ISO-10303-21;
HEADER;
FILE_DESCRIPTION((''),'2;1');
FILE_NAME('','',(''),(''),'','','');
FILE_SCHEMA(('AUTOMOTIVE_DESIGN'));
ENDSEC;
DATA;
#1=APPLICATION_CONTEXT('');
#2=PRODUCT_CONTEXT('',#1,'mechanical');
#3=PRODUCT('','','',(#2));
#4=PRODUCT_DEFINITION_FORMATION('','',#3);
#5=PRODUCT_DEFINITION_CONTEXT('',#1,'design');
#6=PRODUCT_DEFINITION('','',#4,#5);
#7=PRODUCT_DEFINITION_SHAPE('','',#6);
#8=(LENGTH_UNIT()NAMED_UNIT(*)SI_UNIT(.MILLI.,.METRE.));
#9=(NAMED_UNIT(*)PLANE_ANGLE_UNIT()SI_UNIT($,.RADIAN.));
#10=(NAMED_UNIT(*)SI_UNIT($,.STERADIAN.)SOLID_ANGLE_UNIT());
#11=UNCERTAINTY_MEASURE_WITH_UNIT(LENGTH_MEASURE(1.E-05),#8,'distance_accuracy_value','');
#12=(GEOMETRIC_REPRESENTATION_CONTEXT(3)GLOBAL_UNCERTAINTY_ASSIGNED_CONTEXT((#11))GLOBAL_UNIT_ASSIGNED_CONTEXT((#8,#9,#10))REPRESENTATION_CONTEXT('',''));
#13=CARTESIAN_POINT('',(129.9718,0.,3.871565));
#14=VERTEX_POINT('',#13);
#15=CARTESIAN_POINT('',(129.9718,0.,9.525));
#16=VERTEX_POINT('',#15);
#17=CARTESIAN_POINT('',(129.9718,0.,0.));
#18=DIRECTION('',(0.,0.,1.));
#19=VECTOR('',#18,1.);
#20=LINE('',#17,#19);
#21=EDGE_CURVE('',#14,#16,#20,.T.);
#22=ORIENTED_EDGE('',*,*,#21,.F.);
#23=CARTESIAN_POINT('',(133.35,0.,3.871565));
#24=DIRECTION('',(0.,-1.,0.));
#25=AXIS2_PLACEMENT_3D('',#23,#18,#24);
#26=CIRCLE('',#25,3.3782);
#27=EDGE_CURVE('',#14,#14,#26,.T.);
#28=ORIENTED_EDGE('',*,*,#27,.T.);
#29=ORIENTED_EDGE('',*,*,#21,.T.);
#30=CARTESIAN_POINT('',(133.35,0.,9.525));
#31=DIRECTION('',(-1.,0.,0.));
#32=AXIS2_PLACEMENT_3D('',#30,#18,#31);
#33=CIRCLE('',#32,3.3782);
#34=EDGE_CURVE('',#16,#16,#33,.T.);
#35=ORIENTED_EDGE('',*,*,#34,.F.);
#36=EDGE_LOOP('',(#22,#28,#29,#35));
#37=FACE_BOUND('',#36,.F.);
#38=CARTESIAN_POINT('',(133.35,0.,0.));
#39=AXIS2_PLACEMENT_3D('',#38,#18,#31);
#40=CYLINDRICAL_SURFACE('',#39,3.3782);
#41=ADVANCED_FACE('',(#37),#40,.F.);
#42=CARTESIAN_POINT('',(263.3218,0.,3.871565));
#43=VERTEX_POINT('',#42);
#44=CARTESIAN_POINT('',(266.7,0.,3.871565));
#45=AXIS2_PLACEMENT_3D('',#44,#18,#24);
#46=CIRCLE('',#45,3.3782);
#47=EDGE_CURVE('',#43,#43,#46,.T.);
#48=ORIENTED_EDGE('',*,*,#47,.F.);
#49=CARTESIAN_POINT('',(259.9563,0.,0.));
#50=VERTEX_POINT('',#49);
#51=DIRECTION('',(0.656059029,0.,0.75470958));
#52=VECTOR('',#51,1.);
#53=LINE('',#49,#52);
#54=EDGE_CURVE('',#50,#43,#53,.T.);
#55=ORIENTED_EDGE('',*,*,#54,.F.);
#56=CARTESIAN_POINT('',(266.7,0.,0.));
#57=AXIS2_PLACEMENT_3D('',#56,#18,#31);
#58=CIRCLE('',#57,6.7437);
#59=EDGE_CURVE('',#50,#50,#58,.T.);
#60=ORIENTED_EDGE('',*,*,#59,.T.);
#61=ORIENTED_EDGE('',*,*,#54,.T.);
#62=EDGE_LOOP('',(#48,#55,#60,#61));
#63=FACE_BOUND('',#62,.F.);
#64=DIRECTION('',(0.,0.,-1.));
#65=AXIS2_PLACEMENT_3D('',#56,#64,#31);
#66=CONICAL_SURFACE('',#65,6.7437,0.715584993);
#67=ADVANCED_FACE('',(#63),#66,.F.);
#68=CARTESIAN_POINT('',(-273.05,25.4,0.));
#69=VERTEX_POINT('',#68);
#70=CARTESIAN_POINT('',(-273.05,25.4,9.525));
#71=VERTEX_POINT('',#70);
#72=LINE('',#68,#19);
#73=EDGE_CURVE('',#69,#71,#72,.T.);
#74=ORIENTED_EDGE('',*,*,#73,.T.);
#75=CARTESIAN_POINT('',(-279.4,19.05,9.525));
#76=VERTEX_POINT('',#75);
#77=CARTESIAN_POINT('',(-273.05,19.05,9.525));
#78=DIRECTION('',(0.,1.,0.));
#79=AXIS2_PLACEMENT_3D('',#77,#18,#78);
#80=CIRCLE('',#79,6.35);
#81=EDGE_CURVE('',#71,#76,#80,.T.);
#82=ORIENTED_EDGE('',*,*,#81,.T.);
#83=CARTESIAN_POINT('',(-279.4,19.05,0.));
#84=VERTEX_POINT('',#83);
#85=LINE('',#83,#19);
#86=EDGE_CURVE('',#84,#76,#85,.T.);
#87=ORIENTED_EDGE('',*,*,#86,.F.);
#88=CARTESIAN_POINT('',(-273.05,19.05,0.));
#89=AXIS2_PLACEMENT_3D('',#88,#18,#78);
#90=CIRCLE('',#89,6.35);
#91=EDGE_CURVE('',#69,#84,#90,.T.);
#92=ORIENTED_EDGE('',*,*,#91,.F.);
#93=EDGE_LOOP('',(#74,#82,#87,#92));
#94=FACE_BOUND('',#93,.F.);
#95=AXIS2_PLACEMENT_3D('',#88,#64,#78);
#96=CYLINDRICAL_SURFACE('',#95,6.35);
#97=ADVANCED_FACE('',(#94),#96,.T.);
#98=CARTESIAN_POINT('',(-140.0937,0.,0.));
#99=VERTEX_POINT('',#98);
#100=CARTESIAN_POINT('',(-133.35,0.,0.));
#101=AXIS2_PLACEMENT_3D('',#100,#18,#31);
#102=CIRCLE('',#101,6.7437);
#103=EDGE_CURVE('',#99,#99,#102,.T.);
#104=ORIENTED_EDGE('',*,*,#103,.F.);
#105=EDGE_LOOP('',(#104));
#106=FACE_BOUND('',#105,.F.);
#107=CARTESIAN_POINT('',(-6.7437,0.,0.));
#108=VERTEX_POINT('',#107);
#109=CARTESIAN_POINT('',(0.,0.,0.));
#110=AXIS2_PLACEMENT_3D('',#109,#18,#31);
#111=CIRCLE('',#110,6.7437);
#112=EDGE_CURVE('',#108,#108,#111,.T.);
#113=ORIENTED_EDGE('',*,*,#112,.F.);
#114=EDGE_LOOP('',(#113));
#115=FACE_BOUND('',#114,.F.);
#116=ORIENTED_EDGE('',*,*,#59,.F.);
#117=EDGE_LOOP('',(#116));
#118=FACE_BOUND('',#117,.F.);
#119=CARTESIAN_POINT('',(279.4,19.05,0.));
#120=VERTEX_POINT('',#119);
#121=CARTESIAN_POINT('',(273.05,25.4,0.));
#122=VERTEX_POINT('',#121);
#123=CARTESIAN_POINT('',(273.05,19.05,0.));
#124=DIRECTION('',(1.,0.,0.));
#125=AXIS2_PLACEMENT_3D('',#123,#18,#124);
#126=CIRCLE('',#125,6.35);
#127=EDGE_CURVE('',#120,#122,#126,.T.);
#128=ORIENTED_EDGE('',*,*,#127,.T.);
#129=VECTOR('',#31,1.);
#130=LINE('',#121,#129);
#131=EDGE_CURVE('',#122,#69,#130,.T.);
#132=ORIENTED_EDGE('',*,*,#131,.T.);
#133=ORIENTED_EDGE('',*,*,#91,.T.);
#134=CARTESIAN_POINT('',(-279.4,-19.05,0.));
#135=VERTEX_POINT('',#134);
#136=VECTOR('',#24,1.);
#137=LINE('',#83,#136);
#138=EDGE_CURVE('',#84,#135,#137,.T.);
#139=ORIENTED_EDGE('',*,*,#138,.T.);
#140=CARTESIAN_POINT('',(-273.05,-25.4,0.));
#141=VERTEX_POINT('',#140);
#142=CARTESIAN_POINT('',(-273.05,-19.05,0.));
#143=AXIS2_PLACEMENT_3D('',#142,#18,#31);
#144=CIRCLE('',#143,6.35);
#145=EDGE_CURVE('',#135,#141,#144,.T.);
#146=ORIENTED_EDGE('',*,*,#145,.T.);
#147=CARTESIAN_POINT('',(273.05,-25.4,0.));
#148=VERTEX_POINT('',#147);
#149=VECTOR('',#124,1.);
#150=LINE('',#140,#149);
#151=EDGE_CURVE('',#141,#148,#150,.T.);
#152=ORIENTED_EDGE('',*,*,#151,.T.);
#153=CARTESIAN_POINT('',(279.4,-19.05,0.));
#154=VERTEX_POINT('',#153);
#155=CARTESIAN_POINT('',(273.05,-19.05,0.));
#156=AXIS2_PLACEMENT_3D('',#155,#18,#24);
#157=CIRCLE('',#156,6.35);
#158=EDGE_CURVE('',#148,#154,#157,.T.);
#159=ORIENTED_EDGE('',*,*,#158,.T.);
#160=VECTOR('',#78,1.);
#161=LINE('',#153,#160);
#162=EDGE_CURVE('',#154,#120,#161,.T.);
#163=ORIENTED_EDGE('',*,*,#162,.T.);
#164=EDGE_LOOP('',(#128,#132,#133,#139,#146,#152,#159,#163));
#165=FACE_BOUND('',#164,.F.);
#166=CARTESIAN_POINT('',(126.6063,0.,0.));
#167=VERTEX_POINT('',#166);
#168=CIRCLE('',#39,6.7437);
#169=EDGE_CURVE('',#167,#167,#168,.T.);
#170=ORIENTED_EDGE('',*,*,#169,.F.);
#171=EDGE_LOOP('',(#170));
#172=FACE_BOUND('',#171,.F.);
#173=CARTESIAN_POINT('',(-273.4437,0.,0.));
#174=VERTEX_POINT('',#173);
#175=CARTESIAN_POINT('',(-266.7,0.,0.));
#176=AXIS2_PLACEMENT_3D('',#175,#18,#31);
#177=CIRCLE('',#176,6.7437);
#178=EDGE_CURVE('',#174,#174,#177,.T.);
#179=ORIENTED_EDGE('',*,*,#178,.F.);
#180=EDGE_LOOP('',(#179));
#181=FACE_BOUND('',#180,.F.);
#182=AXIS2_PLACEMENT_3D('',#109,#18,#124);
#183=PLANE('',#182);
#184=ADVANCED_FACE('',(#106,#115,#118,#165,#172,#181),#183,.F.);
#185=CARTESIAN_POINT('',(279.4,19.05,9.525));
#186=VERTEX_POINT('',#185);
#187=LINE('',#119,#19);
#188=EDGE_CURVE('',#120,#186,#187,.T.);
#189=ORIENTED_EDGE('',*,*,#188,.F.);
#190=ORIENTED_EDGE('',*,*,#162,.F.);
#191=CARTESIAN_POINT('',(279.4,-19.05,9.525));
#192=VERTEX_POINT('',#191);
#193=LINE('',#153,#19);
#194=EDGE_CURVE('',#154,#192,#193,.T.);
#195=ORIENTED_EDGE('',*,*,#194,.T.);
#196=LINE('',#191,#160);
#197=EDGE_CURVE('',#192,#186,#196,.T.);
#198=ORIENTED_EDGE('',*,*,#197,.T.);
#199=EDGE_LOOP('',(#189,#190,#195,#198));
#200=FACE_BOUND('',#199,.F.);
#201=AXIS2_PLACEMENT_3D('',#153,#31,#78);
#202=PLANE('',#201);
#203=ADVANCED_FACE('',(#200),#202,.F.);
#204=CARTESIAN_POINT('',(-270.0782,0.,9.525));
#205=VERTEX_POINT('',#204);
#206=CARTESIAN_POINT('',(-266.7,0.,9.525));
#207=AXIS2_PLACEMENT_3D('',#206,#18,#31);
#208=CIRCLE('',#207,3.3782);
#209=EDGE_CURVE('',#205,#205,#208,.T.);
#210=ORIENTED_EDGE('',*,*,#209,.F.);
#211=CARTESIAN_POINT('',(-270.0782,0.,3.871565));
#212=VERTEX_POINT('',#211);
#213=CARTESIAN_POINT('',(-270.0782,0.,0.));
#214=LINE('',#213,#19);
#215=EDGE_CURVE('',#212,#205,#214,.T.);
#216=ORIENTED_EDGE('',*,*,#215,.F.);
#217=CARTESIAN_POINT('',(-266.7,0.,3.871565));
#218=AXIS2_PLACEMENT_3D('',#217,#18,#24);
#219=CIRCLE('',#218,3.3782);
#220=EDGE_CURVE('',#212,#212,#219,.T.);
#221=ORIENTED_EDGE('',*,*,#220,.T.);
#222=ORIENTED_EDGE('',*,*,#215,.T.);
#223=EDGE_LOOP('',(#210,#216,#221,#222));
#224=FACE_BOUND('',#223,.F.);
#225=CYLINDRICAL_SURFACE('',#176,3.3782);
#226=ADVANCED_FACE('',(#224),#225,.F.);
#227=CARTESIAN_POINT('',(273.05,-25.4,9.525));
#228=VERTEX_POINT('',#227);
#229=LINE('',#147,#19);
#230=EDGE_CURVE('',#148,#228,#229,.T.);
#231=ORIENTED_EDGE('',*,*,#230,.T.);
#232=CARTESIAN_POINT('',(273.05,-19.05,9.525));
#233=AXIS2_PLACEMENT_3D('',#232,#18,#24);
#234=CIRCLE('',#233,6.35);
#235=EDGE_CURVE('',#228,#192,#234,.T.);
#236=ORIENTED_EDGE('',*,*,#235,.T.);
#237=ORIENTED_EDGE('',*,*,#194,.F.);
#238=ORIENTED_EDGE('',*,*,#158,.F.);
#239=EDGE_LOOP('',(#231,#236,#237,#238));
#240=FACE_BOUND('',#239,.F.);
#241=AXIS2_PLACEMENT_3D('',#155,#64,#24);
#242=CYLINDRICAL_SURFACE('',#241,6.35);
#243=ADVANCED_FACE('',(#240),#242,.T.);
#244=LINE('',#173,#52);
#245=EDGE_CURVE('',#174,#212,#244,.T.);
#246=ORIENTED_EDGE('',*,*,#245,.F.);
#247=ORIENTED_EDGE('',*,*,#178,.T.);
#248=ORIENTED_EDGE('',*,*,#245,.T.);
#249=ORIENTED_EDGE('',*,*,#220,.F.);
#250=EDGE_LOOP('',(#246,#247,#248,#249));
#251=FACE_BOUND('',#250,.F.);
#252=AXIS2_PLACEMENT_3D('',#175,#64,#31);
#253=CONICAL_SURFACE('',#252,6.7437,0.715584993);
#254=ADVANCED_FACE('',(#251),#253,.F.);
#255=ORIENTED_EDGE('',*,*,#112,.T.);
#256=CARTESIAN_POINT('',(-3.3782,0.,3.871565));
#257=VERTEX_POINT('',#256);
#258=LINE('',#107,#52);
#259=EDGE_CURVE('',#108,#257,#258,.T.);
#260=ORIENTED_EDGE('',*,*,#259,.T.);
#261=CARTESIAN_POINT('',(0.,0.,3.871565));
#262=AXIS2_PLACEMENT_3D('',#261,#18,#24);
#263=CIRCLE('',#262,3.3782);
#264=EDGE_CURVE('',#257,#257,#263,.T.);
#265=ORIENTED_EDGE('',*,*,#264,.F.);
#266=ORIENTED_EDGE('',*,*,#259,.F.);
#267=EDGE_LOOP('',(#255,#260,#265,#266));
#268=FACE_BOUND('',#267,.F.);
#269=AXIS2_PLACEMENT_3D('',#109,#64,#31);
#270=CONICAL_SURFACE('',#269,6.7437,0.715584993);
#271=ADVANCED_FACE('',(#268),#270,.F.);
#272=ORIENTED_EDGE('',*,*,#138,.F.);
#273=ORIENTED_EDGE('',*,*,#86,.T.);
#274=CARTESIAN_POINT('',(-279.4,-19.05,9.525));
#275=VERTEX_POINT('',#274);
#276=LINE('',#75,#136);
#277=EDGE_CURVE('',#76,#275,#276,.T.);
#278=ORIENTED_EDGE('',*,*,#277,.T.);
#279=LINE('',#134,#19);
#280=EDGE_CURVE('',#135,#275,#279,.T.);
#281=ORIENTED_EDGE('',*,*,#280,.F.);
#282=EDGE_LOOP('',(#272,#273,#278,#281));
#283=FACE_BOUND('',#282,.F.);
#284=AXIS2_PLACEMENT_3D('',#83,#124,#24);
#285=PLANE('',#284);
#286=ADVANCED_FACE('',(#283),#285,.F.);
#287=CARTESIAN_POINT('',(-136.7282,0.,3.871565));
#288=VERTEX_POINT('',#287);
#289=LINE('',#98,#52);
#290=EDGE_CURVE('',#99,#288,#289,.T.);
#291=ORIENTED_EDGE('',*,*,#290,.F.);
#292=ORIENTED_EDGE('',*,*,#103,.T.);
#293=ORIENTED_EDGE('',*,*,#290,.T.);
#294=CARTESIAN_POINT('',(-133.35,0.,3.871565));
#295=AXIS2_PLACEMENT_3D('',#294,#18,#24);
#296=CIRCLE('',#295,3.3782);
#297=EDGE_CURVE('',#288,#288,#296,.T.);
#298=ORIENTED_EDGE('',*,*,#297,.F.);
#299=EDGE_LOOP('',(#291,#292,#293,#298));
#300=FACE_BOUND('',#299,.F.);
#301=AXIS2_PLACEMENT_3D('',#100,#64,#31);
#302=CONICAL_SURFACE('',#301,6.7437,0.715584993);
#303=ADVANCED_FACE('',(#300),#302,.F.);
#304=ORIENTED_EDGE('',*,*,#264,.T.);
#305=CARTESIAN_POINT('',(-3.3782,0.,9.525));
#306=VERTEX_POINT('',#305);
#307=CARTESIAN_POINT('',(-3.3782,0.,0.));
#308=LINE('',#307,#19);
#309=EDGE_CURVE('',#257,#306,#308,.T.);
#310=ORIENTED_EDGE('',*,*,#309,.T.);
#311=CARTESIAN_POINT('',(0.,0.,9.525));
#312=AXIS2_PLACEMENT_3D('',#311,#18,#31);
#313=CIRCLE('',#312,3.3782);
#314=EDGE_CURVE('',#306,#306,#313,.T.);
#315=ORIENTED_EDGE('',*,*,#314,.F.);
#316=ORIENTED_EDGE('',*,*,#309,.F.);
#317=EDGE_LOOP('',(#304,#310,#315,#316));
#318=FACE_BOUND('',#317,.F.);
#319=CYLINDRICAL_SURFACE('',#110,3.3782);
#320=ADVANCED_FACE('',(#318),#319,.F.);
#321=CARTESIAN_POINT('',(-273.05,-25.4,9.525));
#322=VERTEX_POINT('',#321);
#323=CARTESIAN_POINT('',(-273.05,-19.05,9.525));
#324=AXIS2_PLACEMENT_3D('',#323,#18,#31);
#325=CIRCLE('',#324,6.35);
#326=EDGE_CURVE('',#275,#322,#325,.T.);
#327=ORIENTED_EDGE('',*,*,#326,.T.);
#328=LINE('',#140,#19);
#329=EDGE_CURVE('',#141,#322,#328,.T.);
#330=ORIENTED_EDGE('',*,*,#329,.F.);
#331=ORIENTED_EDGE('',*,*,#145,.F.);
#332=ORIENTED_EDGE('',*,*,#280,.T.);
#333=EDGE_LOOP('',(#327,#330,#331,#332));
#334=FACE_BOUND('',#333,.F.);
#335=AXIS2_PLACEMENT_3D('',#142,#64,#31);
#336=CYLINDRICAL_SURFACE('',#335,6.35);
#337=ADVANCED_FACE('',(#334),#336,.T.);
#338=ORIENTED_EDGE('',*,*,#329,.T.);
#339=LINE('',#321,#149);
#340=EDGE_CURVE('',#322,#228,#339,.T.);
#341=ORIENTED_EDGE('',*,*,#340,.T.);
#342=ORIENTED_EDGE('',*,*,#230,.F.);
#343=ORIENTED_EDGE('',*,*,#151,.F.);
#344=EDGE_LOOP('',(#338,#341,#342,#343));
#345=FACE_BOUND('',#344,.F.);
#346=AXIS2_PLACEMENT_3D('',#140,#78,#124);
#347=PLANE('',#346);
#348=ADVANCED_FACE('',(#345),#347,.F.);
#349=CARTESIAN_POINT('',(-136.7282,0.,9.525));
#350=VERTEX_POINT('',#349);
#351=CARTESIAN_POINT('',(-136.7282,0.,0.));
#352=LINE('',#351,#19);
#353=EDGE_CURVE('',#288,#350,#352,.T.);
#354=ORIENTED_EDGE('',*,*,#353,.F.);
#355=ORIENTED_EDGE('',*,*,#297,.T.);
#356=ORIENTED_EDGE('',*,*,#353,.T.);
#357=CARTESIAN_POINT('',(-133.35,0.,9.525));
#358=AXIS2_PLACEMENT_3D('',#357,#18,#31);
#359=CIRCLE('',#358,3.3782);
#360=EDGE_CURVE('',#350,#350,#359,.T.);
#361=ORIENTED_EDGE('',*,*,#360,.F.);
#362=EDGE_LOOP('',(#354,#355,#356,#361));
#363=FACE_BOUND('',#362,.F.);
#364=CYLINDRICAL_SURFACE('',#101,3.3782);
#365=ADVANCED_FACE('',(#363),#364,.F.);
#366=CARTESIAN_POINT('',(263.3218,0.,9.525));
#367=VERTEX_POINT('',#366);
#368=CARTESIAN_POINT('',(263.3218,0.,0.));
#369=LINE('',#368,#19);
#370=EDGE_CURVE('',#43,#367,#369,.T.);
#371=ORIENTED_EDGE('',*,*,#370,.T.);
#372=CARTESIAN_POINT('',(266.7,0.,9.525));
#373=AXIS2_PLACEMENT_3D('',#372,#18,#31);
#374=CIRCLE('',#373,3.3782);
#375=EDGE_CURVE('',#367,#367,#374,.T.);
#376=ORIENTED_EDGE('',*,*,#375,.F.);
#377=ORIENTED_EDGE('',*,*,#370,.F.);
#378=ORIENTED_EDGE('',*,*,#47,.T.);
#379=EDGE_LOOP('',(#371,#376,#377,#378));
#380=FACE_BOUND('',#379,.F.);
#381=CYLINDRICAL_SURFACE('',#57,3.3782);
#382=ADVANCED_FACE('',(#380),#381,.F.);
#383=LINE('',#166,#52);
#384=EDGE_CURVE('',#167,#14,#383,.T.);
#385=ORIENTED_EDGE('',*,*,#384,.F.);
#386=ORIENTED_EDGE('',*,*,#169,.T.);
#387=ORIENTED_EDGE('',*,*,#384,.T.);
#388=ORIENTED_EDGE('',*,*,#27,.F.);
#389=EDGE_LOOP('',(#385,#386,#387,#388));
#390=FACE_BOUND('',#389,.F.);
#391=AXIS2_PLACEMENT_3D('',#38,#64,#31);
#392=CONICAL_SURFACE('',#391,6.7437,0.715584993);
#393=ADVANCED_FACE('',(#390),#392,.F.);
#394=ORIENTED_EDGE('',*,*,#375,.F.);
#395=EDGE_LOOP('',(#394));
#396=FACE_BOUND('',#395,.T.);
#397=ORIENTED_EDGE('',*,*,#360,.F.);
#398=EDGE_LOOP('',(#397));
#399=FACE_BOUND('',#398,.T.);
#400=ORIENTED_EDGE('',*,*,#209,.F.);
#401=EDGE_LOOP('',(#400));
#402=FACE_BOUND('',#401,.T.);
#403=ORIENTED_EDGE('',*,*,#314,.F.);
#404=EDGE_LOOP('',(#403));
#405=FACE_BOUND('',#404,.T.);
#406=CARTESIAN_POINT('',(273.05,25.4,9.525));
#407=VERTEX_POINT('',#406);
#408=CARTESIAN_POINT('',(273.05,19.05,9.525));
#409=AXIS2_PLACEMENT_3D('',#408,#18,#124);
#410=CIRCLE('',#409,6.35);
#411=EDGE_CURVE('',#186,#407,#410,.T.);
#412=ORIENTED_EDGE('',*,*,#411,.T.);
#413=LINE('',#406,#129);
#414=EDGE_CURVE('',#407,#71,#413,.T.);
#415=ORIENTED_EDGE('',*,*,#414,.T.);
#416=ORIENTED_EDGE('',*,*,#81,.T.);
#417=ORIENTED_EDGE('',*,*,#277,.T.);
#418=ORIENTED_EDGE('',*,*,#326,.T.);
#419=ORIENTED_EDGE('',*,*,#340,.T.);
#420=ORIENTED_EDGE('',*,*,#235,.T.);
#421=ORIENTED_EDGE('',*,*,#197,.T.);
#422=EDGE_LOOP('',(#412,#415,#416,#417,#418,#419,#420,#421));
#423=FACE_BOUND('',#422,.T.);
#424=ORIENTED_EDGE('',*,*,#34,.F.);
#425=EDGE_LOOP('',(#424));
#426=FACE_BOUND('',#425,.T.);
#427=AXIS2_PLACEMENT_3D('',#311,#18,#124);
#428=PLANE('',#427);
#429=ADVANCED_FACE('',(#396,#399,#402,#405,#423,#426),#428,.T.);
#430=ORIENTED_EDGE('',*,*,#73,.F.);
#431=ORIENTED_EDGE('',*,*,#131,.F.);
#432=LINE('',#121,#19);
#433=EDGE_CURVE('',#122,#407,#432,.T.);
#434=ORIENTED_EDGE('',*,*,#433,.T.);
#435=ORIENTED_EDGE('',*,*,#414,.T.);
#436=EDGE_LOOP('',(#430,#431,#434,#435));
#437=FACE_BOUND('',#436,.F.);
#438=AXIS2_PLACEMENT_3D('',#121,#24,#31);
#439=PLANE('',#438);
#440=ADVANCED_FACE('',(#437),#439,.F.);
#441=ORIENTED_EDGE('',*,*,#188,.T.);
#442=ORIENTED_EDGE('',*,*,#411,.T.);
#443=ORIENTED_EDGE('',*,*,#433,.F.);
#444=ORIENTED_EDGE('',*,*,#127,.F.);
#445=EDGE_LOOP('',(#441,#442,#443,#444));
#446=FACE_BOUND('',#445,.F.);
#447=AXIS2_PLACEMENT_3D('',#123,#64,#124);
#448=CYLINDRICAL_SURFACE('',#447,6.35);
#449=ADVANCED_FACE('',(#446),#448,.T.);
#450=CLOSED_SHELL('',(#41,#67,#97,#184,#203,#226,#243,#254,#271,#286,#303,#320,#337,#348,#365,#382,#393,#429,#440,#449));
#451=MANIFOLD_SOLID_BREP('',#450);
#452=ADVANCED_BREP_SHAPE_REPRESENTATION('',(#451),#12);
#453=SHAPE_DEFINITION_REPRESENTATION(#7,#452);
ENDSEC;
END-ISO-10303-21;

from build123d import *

# Parameters (mm, degrees)
F1_DEPTH       = 9.525
F2_D           = 6.7564
F2_CSINK_D     = 13.4874
F2_CSINK_ANGLE = 82


with BuildPart() as f1:
    # F0 (on Top) → F1 (new body)
    with BuildSketch(Plane.XY):
        with BuildLine():
            Line((-273.05, -25.4), (273.05, -25.4))
            ThreePointArc((273.05, -25.4), (277.5401280605, -23.5401280605), (279.4, -19.05))
            Line((279.4, -19.05), (279.4, 19.05))
            ThreePointArc((279.4, 19.05), (277.5401280605, 23.5401280605), (273.05, 25.4))
            Line((273.05, 25.4), (-273.05, 25.4))
            ThreePointArc((-273.05, 25.4), (-277.5401280605, 23.5401280605), (-279.4, 19.05))
            Line((-279.4, 19.05), (-279.4, -19.05))
            ThreePointArc((-279.4, -19.05), (-277.5401280605, -23.5401280605), (-273.05, -25.4))
        make_face()
    extrude(amount=F1_DEPTH)

    # F2 (through all)
    with Locations(Plane(origin=(0, 0, 0), x_dir=(1, 0, 0), z_dir=(0, 0, -1))):
        with Locations((266.7, 0), (133.35, 0), (0, 0), (-133.35, 0), (-266.7, 0)):
            CounterSinkHole(F2_D / 2, F2_CSINK_D / 2, counter_sink_angle=F2_CSINK_ANGLE)


solid = f1.part
